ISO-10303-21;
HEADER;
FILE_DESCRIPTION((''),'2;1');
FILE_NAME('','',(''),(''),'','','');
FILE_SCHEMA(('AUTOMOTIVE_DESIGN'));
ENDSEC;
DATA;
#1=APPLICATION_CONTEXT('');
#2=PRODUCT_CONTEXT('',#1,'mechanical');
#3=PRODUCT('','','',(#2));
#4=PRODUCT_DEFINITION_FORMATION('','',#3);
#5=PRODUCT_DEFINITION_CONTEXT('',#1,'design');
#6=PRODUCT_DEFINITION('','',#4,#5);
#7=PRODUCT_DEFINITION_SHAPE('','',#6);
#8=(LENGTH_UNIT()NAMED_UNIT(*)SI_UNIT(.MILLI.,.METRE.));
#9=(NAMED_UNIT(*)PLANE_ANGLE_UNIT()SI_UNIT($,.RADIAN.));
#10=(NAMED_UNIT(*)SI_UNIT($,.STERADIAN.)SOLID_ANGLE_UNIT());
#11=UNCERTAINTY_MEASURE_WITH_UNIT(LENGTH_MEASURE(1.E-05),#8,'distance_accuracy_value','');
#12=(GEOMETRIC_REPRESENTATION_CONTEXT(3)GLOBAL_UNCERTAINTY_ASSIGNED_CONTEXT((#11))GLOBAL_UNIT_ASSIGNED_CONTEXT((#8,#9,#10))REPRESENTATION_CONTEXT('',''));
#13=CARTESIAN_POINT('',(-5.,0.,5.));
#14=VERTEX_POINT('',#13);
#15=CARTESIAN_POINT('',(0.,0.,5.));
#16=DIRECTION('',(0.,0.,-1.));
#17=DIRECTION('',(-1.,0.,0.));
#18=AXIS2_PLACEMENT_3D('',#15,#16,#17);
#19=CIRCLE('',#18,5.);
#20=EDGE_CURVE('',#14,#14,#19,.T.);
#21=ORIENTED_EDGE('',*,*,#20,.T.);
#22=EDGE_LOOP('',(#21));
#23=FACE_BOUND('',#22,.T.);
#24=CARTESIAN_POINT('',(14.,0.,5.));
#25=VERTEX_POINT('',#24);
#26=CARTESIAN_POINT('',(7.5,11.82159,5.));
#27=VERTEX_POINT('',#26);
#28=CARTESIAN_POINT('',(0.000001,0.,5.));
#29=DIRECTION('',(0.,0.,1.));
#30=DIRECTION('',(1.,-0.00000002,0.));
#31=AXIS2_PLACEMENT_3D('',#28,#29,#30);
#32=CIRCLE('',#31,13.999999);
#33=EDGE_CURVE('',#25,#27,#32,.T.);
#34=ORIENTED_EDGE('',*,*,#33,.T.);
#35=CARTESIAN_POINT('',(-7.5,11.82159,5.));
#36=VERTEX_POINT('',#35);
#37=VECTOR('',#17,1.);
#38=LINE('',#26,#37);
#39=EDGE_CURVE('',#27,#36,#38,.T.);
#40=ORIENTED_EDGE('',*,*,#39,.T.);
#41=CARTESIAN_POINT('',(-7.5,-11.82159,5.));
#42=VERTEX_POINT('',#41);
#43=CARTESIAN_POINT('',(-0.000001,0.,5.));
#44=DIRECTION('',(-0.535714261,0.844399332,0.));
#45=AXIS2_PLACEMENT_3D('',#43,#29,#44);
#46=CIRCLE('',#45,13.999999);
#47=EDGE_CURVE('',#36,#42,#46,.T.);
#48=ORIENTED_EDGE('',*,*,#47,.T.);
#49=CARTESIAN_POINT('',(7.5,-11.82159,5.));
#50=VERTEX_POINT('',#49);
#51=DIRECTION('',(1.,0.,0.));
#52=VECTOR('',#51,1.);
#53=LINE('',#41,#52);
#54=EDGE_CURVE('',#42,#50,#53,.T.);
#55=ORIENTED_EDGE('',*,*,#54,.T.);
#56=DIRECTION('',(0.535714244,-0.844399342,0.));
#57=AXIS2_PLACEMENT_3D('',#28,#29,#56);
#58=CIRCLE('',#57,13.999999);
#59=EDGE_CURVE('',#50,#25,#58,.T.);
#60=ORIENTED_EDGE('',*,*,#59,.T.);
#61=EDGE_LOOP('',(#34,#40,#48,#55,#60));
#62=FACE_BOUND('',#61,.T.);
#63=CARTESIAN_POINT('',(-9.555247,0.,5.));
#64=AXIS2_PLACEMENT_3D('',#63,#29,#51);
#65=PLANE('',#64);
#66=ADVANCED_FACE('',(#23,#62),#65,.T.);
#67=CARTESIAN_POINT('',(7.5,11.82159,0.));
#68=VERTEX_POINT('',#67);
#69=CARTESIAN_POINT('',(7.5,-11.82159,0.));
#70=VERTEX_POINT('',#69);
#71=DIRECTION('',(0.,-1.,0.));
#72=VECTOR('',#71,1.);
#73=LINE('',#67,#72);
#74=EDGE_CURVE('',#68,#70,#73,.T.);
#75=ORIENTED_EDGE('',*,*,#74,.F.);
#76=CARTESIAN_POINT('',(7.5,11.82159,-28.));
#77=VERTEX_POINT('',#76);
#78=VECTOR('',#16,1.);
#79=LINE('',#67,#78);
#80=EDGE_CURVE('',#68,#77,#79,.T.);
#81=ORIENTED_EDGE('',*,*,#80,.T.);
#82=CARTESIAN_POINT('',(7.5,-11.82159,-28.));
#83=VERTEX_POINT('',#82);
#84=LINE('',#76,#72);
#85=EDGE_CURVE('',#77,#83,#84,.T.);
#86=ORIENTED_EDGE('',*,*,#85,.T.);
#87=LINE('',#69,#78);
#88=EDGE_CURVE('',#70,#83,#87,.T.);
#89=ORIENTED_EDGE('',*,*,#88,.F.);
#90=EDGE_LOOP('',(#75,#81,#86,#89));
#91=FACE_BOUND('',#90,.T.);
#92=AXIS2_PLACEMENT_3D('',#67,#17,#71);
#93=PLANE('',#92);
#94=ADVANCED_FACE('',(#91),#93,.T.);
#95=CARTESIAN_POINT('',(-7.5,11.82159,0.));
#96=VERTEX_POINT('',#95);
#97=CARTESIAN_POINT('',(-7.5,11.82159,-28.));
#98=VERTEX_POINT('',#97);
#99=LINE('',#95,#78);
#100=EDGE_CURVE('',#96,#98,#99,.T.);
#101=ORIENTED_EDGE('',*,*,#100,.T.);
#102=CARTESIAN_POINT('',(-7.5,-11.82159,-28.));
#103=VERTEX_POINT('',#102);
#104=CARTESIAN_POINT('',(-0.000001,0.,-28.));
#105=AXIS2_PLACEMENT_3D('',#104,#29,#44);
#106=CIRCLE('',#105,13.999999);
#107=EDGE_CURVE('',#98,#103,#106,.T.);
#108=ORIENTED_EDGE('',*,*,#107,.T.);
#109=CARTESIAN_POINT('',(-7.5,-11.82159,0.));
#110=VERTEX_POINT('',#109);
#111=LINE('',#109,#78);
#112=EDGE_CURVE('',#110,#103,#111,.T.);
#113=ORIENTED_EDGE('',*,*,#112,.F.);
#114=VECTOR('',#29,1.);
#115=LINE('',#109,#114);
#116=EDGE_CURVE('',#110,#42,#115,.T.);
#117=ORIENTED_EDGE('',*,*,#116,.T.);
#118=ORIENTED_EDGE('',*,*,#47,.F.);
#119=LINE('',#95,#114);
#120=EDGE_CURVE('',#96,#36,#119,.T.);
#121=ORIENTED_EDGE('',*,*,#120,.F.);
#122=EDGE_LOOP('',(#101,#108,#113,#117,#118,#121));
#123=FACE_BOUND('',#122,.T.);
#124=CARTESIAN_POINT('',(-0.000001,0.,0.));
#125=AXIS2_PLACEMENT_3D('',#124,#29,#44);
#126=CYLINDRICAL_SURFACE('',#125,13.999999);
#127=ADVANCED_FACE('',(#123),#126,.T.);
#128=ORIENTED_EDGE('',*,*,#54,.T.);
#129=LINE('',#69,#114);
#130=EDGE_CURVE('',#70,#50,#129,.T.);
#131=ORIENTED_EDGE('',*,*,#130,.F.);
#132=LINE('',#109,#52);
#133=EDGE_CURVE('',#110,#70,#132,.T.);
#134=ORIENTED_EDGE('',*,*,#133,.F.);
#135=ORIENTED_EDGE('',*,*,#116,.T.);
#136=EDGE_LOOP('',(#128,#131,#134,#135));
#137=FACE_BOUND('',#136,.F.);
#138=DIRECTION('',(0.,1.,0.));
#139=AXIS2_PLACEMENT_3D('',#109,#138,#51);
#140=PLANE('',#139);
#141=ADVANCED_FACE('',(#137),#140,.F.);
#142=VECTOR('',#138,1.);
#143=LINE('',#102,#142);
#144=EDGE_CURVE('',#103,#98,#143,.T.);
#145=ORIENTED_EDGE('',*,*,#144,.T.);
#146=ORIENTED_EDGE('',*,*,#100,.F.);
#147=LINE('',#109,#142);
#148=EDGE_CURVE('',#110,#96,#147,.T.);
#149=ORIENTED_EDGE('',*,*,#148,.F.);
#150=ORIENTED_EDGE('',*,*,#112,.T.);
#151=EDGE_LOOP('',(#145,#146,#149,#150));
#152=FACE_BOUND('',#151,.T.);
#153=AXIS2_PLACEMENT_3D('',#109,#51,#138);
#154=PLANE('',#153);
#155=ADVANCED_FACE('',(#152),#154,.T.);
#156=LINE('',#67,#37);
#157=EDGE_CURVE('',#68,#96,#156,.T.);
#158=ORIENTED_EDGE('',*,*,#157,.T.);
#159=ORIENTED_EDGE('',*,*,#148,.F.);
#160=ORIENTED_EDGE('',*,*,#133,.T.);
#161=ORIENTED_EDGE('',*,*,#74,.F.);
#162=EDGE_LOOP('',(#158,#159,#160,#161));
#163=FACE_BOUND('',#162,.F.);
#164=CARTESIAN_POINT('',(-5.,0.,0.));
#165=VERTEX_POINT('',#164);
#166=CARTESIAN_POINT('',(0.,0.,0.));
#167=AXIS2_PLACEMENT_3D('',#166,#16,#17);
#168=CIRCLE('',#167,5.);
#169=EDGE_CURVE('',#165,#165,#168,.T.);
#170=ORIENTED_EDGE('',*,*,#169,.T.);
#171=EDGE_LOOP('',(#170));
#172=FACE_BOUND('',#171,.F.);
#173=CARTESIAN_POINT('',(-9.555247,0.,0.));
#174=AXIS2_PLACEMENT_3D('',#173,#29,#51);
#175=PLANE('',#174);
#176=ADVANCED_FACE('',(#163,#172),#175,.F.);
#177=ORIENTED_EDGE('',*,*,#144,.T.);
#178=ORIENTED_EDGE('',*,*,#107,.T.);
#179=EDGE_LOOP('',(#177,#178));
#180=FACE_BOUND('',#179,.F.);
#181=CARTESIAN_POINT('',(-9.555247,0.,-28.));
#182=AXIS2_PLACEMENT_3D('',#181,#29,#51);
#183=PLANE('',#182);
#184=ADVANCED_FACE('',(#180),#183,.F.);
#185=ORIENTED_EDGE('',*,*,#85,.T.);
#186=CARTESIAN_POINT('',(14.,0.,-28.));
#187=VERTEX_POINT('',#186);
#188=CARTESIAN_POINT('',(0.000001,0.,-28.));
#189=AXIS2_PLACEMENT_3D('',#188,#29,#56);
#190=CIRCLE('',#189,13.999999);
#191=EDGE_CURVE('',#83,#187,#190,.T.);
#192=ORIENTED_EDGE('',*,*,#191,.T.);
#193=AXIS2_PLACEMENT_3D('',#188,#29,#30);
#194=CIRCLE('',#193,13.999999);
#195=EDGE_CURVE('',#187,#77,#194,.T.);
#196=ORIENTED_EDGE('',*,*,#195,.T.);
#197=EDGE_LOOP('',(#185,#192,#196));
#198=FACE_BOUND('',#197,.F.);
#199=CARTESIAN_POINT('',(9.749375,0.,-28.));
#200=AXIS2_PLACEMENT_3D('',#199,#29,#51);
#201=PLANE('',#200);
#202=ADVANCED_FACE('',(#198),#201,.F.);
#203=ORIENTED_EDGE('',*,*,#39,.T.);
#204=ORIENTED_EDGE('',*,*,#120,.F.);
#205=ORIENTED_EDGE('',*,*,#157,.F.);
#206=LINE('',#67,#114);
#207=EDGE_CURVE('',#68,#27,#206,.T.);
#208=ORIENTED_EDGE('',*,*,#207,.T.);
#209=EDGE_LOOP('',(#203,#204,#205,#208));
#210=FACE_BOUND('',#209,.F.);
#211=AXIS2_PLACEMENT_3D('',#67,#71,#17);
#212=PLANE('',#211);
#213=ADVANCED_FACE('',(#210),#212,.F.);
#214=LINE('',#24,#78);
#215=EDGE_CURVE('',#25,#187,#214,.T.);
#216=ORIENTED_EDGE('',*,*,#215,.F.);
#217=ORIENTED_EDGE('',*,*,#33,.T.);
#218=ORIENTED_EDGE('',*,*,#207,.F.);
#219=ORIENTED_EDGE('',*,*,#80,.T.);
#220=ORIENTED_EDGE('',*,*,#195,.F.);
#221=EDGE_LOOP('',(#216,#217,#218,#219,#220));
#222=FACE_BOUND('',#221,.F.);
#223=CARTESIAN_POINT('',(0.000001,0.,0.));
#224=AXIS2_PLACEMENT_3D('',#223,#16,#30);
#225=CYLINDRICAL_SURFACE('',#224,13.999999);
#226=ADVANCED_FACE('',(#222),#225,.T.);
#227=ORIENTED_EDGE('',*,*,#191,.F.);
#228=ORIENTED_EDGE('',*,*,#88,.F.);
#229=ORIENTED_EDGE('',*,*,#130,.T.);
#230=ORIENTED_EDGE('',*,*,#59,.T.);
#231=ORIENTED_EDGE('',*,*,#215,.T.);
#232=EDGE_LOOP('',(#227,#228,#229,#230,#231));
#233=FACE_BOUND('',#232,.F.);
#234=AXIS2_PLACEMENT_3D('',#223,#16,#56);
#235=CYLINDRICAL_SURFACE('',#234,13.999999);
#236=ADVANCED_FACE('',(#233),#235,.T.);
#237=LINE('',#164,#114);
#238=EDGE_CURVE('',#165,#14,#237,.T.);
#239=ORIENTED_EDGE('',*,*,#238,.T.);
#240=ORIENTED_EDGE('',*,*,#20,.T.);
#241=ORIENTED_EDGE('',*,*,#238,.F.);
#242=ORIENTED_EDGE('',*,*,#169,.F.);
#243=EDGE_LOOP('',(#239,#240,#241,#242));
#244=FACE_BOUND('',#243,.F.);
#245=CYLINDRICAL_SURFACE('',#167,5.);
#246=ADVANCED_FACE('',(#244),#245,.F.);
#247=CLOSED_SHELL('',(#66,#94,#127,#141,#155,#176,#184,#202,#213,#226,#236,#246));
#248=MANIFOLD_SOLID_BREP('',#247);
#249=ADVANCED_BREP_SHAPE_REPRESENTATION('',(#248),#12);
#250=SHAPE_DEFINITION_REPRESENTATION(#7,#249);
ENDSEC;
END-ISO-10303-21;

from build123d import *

# Parameters (mm, degrees)
F1_DEPTH = 5
F2_DEPTH = 28


with BuildPart() as f1:
    # F0 (on Top) → F1 (new body)
    with BuildSketch(Plane.XY):
        with BuildLine():
            Line((-7.5, 0), (-7.5, 11.82159))
            ThreePointArc((-7.5, 11.82159), (-14, 0), (-7.5, -11.82159))
            Line((-7.5, -11.82159), (-7.5, 0))
        make_face()
        with BuildLine():
            Line((-7.5, -11.82159), (7.5, -11.82159))
            Line((7.5, -11.82159), (7.5, 0))
            Line((7.5, 0), (5, 0))
            ThreePointArc((5, 0), (0, -5), (-5, 0))
            Line((-5, 0), (-7.5, 0))
            Line((-7.5, 0), (-7.5, -11.82159))
        make_face()
        with BuildLine():
            Line((7.5, 0), (7.5, 11.82159))
            Line((7.5, 11.82159), (-7.5, 11.82159))
            Line((-7.5, 11.82159), (-7.5, 0))
            Line((-7.5, 0), (-5, 0))
            ThreePointArc((-5, 0), (0, 5), (5, 0))
            Line((5, 0), (7.5, 0))
        make_face()
        with BuildLine():
            ThreePointArc((7.5, -11.82159), (12.267844, -6.745369), (14, 0))
            ThreePointArc((14, 0), (12.267844, 6.745369), (7.5, 11.82159))
            Line((7.5, 11.82159), (7.5, 0))
            Line((7.5, 0), (7.5, -11.82159))
        make_face()
    extrude(amount=F1_DEPTH)

    # F0 (on Top) → F2 (join)
    with BuildSketch(Plane.XY):
        with BuildLine():
            Line((-7.5, 0), (-7.5, 11.82159))
            ThreePointArc((-7.5, 11.82159), (-14, 0), (-7.5, -11.82159))
            Line((-7.5, -11.82159), (-7.5, 0))
        make_face()
        with BuildLine():
            ThreePointArc((7.5, -11.82159), (12.267844, -6.745369), (14, 0))
            ThreePointArc((14, 0), (12.267844, 6.745369), (7.5, 11.82159))
            Line((7.5, 11.82159), (7.5, 0))
            Line((7.5, 0), (7.5, -11.82159))
        make_face()
    extrude(amount=-F2_DEPTH)


solid = f1.part
